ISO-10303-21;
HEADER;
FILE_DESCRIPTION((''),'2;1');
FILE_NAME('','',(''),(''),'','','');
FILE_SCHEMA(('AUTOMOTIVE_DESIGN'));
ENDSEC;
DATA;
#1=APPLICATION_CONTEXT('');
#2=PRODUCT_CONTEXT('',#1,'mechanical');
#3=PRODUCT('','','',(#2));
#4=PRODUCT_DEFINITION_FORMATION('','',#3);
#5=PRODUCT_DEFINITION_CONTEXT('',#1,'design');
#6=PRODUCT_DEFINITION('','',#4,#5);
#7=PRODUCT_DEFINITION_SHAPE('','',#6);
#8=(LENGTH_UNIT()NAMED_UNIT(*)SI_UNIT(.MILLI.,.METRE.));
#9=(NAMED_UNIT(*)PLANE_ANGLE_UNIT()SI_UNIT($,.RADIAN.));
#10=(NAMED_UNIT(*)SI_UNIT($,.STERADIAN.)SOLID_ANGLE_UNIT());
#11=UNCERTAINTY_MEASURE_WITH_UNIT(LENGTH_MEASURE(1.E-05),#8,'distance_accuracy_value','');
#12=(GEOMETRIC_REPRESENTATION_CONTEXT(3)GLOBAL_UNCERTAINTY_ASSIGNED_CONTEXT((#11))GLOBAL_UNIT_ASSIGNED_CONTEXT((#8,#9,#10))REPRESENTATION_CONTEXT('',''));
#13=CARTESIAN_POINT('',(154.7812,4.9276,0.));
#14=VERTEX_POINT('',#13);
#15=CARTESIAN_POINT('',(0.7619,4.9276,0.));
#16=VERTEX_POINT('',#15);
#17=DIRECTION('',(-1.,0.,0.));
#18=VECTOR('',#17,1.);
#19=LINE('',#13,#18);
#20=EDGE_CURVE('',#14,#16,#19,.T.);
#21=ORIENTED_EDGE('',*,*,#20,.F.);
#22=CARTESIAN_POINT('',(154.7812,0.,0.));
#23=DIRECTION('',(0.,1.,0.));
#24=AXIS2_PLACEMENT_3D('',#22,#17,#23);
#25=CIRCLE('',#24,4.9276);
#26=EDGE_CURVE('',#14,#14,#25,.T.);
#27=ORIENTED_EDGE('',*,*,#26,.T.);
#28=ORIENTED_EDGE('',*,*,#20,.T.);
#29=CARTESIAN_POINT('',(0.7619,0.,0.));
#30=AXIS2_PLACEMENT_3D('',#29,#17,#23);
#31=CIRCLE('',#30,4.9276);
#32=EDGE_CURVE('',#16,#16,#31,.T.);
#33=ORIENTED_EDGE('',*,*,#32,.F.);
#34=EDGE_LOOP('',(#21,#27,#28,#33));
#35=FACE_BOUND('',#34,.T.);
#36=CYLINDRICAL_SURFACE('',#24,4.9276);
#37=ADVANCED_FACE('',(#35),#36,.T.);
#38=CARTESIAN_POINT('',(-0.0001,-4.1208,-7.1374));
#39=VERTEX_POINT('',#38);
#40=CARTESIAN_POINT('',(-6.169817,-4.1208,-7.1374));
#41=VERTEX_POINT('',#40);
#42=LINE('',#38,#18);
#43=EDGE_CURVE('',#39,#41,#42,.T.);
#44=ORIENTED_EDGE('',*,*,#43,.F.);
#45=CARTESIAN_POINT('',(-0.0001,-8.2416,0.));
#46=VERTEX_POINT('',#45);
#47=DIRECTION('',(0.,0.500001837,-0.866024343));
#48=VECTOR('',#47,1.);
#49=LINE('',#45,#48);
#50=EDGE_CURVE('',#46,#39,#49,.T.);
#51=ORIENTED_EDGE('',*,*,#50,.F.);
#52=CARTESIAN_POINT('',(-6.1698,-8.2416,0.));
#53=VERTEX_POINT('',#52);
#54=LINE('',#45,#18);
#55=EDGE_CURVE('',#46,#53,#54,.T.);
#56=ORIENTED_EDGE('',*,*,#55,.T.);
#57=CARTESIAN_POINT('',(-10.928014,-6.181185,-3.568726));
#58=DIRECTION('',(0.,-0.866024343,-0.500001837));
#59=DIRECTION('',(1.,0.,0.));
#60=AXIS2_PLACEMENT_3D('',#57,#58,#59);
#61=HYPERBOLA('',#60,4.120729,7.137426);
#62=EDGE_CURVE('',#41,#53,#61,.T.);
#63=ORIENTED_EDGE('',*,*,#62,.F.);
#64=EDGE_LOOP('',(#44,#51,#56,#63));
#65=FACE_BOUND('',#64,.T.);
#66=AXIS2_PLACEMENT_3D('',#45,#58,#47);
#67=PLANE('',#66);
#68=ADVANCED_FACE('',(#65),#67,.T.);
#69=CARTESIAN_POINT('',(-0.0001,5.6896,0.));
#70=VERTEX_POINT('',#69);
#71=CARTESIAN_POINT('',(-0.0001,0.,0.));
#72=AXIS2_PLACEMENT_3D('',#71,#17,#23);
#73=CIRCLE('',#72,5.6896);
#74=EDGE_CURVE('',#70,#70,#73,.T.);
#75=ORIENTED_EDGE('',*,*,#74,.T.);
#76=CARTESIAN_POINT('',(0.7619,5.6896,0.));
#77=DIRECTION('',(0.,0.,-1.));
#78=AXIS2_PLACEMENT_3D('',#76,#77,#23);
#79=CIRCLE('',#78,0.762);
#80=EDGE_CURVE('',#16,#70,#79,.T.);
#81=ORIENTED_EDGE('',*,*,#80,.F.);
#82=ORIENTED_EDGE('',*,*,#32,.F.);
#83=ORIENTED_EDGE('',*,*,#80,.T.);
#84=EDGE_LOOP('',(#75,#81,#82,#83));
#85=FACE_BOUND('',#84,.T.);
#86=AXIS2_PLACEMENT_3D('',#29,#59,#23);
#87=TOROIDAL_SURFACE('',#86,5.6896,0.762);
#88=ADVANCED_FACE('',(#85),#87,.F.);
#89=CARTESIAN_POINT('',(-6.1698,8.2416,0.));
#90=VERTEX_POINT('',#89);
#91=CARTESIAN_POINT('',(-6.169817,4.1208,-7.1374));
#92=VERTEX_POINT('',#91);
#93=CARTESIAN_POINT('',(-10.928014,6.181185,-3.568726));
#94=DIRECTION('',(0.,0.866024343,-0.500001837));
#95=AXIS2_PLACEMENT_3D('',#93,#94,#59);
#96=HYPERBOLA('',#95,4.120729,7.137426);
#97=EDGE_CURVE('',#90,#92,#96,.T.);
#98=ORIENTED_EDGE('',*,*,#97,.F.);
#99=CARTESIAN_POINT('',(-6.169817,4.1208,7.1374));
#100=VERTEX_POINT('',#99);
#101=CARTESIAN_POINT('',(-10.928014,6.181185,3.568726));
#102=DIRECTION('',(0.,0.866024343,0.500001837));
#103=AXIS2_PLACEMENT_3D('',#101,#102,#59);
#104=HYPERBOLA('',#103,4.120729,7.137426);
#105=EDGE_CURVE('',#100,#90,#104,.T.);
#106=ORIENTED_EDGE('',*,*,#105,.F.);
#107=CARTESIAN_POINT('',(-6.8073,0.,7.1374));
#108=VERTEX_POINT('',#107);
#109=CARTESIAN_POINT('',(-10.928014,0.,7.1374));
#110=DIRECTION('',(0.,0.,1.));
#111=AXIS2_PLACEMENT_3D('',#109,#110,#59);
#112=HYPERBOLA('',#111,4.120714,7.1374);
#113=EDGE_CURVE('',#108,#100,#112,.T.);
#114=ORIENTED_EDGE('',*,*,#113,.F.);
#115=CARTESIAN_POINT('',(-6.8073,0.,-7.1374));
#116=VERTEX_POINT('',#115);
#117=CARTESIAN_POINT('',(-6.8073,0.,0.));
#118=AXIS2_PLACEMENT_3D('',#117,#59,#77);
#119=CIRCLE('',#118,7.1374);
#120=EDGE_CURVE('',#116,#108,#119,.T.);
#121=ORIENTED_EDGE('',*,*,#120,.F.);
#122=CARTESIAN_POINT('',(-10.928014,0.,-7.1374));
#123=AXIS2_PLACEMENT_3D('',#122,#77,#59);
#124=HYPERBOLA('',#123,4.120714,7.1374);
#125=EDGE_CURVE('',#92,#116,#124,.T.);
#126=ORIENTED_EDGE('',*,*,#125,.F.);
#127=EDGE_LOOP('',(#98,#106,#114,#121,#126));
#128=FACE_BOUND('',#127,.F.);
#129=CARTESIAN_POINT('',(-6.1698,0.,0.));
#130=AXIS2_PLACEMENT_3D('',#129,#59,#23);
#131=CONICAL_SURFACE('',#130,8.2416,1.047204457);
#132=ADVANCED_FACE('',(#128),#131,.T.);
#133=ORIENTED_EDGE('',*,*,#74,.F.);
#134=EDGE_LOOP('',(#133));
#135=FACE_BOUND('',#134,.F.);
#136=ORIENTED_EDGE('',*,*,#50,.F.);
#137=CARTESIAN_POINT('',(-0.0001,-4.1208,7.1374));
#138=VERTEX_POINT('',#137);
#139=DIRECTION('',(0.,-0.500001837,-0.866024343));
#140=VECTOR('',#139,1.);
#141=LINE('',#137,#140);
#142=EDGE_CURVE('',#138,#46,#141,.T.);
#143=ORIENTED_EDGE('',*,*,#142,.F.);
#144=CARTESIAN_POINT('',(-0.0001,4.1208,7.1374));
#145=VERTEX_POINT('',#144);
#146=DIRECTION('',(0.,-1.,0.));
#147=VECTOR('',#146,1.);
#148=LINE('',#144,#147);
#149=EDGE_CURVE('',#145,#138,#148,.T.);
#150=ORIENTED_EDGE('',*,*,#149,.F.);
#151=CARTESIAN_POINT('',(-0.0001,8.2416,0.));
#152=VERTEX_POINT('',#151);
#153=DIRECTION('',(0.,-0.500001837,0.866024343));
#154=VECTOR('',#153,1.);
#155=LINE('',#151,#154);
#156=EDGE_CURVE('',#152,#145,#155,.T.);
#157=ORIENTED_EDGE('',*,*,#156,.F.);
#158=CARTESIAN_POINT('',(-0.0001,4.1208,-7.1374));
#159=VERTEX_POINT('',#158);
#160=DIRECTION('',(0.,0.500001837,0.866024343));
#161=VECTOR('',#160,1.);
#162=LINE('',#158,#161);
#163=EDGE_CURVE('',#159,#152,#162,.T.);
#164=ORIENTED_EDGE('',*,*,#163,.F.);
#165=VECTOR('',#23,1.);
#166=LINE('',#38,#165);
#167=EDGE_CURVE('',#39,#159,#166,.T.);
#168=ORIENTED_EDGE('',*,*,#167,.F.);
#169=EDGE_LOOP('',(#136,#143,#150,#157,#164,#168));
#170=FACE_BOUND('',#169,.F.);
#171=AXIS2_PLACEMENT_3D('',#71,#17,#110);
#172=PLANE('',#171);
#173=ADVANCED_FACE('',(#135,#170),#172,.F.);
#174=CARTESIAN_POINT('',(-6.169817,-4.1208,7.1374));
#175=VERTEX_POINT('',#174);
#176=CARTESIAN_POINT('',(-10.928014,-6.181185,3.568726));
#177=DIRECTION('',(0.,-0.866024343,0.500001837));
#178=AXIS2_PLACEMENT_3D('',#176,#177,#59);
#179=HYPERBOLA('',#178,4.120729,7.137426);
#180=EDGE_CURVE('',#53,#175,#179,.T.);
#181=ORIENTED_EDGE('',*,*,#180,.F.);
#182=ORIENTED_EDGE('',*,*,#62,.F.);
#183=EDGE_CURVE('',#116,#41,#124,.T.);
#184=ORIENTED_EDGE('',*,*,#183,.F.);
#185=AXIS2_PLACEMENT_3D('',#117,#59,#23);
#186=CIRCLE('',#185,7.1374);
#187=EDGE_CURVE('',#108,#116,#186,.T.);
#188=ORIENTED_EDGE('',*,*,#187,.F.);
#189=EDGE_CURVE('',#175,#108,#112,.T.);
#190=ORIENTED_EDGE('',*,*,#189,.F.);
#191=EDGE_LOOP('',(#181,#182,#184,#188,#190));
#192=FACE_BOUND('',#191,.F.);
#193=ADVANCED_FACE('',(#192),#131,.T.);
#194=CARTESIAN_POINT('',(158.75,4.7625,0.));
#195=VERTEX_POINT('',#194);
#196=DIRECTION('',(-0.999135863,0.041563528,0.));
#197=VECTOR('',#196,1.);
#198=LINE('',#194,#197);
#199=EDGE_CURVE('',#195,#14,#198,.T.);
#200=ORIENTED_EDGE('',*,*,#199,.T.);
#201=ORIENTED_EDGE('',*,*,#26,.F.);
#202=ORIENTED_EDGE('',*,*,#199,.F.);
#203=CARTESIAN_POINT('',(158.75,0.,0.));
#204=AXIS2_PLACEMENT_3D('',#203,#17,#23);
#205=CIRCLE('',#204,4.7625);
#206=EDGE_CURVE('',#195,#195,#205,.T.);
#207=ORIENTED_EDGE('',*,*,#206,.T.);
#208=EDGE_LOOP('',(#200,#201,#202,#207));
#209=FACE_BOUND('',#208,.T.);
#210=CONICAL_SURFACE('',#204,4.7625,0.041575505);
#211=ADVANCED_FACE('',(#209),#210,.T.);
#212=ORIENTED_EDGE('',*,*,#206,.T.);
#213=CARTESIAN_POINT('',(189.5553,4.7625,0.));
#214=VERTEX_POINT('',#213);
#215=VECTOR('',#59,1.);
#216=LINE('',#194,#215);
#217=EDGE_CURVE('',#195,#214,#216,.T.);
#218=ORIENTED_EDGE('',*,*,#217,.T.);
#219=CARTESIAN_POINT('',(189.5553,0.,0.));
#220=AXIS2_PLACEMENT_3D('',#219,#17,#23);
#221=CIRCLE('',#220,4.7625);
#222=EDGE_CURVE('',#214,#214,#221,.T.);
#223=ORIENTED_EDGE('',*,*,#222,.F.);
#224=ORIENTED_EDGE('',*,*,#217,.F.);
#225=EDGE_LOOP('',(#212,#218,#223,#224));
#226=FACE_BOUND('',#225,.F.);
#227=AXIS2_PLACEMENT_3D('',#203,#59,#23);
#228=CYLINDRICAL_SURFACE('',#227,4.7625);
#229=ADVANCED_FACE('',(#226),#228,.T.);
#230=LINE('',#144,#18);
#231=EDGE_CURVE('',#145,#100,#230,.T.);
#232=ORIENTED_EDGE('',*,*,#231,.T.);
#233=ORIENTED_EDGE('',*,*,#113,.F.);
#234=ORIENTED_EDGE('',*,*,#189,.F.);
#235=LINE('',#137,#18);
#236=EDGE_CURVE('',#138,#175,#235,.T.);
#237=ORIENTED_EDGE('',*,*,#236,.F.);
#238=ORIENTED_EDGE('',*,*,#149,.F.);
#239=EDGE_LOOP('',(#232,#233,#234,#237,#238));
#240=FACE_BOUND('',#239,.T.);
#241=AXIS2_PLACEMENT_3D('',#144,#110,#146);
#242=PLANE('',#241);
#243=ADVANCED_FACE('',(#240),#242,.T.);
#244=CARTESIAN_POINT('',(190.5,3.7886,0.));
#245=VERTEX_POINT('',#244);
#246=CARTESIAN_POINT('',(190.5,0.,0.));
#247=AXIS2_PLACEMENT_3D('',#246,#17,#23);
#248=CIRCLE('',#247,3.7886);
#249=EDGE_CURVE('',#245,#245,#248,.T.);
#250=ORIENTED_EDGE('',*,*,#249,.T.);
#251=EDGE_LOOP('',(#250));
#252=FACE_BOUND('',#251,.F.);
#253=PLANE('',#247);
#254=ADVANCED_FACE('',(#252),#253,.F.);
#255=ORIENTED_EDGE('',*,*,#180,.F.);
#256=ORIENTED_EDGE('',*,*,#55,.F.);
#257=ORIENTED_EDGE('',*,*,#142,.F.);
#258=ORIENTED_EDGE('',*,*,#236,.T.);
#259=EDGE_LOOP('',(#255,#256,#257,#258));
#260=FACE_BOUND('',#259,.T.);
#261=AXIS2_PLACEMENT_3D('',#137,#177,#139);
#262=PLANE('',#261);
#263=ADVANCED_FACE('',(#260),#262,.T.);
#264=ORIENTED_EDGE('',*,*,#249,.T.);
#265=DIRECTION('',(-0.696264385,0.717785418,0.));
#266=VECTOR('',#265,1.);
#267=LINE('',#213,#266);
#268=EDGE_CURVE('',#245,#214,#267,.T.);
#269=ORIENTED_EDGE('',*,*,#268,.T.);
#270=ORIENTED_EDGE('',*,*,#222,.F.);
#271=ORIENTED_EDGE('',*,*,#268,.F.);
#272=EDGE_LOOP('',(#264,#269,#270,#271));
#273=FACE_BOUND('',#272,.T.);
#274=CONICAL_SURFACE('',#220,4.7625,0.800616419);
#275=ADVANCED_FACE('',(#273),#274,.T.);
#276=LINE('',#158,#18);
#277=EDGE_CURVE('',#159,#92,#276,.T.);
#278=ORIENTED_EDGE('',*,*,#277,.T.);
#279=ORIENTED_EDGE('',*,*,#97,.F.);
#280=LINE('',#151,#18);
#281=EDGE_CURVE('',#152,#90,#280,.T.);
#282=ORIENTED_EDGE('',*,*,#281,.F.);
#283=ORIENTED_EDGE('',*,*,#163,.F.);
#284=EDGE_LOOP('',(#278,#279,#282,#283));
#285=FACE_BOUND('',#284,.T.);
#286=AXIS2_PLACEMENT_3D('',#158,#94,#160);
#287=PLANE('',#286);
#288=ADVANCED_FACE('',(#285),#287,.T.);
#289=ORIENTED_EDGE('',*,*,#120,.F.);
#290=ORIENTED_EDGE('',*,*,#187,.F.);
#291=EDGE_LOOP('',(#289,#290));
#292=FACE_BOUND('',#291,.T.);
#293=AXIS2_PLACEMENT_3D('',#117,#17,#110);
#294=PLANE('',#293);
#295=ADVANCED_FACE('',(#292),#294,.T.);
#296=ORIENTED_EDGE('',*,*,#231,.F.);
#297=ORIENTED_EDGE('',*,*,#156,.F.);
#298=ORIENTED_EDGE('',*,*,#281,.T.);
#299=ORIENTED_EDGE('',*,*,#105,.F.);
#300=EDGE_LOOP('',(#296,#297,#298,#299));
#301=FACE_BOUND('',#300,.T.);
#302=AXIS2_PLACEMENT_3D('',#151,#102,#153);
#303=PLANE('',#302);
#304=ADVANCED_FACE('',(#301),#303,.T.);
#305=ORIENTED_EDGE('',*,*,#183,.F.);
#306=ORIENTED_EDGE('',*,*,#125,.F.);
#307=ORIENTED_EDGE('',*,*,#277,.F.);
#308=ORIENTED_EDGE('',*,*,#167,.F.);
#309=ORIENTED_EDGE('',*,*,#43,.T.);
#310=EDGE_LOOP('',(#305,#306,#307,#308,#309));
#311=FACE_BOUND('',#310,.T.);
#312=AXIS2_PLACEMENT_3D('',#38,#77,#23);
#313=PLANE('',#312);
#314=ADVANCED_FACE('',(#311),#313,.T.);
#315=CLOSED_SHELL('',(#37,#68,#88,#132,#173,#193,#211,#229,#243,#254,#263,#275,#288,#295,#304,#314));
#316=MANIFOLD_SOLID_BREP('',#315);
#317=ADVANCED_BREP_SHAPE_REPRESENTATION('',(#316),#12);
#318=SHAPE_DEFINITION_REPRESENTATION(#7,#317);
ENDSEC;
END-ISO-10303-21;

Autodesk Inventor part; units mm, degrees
ref_plane "YZ Plane" through (0, 0, 0) normal (1, 0, 0) x (0, 1, 0)
ref_plane "XZ Plane" through (0, 0, 0) normal (0, 1, 0) x (-1, 0, 0)
sketch "Sketch1" plane through (0, 0, 0) normal (0, 0, 1) x (1, 0, 0)
  line L0 (0, 7.1374) -> (0, 4.9276)
  line L1 (158.75, 4.7625) -> (190.5, 4.7625)
  line L2 (190.5, 4.7625) -> (190.5, 0)
  line L3 (190.5, 0) -> (-0.0001, 0)
  line L4 (-38.1001, 0) -> (228.6, 0) projected
  line L5 (-0.0001, 0) -> (-0.0001, 7.1374)
  line L6 (-0.0001, 7.1374) -> (0, 7.1374)
  line L7 (158.75, 4.7625) -> (154.7812, 4.9276)
  line L8 (154.7812, 4.9276) -> (0, 4.9276)
  line L9 (0, -1.4275) -> (0, 8.5649) projected
  dimension "d0" = 190.5
  dimension "d1" = 31.75
  dimension "d2" = 9.525
  dimension "d9" = 0.0001
  dimension "d10" = 14.2748
  dimension "d13" = 3.9689
  dimension "d14" = 9.8552
revolve "Body" add sketch "Sketch1" angle 360 about axis through (190.5, 0, 0) along (-1, 0, 0)
sketch "Sketch2" plane through (-0.0001, 0, 0) normal (-1, 0, 0) x (0, 0, 1)
  line L0 (0, 8.2416) -> (7.1374, 4.1208)
  line L1 (7.1374, 4.1208) -> (7.1374, -4.1208)
  line L2 (7.1374, -4.1208) -> (0, -8.2416)
  line L3 (0, -8.2416) -> (-7.1374, -4.1208)
  line L4 (-7.1374, -4.1208) -> (-7.1374, 4.1208)
  line L5 (-7.1374, 4.1208) -> (0, 8.2416)
  point P0 (0, 0)
  point P1 (0, 0)
  dimension "d11" = 14.2748
extrude "Head" add sketch "Sketch2" along normal blind 6.8072
sketch "Sketch4" plane through (0, 0, 0) normal (0, 0, 1) x (1, 0, 0)
  line L0 (-6.8073, 7.1374) -> (-6.8073, 8.2416)
  line L1 (-6.8073, 8.2416) -> (-6.1698, 8.2416)
  line L2 (-6.1698, 8.2416) -> (-6.8073, 7.1374)
  line L3 (-8.1687, 0) -> (1.3613, 0) projected
  line L4 (-0.0001, 8.2416) -> (-6.8073, 8.2416) projected
  line L5 (-6.8073, 4.1208) -> (-6.8073, 8.2416) projected
  dimension "d5" = 30
  dimension "d19" = 14.2748
revolve "Chamfer1" cut sketch "Sketch4" angle 360 about axis through (-10, 0, 0) along (1, 0, 0)
thread "Thread" size "3/8-16 UNC" class "2A" standard "ANSI Unified Screw Threads" length 31.75
chamfer "Chamfer2" distance 0.9739 distance2 0.9447 1 edges at (190.5, -4.7625, 0) measured on face at (190.5, 0.2241, 1.3065)
ref_plane "Work Plane1" through (1.525, 0, 0) normal (0, 0, 1) x (1, 0, 0)
fillet "Fillet2" radius 0.762 1 edges at (0, -4.9276, 0)
equation "\"d63\" = R"
equation "\"d11\" = SW"
equation "\"d3\" = KOH - SD"
equation "\"d15\" = GEL"
equation "\"d6\" = -0.5 * SPD + 0.5 * GD"
equation "\"d0\" = NLG"
equation "\"d1\" = GEL"
equation "\"d2\" = GD"
equation "\"d10\" = SD2"
equation "\"d14\" = BDM"
equation "\"d5\" = ANG1"
equation "\"d19\" = SW0"
equation "\"NLG\" = 190.5"
equation "\"GD\" = NND"
equation "\"BDM\" = 9.8552"
equation "\"KOH\" = 6.8072"
equation "\"GEL\" = 31.75"
equation "\"SW\" = 14.2748"
equation "\"SW0\" = SW"
equation "\"SPD\" = GD1"
equation "\"SD2\" = SW"
equation "\"SD\" = 0"
equation "\"ANG1\" = 30deg"
equation "\"GAL\" = 3.96875"
equation "\"GUL\" = 0.238 * GAL"
equation "\"R\" = 0.762"
equation "\"d62\" = -NLG - SD + GUL"
equation "\"GD1\" = 7.5773"
equation "\"THREADDIA\" = 9.525"
equation "\"TOA\" = 30deg"
equation "\"NND\" = 9.525"
equation "\"E0\" = 1.155 * SW"
properties part number "am-1055" material "Steel, Mild"
